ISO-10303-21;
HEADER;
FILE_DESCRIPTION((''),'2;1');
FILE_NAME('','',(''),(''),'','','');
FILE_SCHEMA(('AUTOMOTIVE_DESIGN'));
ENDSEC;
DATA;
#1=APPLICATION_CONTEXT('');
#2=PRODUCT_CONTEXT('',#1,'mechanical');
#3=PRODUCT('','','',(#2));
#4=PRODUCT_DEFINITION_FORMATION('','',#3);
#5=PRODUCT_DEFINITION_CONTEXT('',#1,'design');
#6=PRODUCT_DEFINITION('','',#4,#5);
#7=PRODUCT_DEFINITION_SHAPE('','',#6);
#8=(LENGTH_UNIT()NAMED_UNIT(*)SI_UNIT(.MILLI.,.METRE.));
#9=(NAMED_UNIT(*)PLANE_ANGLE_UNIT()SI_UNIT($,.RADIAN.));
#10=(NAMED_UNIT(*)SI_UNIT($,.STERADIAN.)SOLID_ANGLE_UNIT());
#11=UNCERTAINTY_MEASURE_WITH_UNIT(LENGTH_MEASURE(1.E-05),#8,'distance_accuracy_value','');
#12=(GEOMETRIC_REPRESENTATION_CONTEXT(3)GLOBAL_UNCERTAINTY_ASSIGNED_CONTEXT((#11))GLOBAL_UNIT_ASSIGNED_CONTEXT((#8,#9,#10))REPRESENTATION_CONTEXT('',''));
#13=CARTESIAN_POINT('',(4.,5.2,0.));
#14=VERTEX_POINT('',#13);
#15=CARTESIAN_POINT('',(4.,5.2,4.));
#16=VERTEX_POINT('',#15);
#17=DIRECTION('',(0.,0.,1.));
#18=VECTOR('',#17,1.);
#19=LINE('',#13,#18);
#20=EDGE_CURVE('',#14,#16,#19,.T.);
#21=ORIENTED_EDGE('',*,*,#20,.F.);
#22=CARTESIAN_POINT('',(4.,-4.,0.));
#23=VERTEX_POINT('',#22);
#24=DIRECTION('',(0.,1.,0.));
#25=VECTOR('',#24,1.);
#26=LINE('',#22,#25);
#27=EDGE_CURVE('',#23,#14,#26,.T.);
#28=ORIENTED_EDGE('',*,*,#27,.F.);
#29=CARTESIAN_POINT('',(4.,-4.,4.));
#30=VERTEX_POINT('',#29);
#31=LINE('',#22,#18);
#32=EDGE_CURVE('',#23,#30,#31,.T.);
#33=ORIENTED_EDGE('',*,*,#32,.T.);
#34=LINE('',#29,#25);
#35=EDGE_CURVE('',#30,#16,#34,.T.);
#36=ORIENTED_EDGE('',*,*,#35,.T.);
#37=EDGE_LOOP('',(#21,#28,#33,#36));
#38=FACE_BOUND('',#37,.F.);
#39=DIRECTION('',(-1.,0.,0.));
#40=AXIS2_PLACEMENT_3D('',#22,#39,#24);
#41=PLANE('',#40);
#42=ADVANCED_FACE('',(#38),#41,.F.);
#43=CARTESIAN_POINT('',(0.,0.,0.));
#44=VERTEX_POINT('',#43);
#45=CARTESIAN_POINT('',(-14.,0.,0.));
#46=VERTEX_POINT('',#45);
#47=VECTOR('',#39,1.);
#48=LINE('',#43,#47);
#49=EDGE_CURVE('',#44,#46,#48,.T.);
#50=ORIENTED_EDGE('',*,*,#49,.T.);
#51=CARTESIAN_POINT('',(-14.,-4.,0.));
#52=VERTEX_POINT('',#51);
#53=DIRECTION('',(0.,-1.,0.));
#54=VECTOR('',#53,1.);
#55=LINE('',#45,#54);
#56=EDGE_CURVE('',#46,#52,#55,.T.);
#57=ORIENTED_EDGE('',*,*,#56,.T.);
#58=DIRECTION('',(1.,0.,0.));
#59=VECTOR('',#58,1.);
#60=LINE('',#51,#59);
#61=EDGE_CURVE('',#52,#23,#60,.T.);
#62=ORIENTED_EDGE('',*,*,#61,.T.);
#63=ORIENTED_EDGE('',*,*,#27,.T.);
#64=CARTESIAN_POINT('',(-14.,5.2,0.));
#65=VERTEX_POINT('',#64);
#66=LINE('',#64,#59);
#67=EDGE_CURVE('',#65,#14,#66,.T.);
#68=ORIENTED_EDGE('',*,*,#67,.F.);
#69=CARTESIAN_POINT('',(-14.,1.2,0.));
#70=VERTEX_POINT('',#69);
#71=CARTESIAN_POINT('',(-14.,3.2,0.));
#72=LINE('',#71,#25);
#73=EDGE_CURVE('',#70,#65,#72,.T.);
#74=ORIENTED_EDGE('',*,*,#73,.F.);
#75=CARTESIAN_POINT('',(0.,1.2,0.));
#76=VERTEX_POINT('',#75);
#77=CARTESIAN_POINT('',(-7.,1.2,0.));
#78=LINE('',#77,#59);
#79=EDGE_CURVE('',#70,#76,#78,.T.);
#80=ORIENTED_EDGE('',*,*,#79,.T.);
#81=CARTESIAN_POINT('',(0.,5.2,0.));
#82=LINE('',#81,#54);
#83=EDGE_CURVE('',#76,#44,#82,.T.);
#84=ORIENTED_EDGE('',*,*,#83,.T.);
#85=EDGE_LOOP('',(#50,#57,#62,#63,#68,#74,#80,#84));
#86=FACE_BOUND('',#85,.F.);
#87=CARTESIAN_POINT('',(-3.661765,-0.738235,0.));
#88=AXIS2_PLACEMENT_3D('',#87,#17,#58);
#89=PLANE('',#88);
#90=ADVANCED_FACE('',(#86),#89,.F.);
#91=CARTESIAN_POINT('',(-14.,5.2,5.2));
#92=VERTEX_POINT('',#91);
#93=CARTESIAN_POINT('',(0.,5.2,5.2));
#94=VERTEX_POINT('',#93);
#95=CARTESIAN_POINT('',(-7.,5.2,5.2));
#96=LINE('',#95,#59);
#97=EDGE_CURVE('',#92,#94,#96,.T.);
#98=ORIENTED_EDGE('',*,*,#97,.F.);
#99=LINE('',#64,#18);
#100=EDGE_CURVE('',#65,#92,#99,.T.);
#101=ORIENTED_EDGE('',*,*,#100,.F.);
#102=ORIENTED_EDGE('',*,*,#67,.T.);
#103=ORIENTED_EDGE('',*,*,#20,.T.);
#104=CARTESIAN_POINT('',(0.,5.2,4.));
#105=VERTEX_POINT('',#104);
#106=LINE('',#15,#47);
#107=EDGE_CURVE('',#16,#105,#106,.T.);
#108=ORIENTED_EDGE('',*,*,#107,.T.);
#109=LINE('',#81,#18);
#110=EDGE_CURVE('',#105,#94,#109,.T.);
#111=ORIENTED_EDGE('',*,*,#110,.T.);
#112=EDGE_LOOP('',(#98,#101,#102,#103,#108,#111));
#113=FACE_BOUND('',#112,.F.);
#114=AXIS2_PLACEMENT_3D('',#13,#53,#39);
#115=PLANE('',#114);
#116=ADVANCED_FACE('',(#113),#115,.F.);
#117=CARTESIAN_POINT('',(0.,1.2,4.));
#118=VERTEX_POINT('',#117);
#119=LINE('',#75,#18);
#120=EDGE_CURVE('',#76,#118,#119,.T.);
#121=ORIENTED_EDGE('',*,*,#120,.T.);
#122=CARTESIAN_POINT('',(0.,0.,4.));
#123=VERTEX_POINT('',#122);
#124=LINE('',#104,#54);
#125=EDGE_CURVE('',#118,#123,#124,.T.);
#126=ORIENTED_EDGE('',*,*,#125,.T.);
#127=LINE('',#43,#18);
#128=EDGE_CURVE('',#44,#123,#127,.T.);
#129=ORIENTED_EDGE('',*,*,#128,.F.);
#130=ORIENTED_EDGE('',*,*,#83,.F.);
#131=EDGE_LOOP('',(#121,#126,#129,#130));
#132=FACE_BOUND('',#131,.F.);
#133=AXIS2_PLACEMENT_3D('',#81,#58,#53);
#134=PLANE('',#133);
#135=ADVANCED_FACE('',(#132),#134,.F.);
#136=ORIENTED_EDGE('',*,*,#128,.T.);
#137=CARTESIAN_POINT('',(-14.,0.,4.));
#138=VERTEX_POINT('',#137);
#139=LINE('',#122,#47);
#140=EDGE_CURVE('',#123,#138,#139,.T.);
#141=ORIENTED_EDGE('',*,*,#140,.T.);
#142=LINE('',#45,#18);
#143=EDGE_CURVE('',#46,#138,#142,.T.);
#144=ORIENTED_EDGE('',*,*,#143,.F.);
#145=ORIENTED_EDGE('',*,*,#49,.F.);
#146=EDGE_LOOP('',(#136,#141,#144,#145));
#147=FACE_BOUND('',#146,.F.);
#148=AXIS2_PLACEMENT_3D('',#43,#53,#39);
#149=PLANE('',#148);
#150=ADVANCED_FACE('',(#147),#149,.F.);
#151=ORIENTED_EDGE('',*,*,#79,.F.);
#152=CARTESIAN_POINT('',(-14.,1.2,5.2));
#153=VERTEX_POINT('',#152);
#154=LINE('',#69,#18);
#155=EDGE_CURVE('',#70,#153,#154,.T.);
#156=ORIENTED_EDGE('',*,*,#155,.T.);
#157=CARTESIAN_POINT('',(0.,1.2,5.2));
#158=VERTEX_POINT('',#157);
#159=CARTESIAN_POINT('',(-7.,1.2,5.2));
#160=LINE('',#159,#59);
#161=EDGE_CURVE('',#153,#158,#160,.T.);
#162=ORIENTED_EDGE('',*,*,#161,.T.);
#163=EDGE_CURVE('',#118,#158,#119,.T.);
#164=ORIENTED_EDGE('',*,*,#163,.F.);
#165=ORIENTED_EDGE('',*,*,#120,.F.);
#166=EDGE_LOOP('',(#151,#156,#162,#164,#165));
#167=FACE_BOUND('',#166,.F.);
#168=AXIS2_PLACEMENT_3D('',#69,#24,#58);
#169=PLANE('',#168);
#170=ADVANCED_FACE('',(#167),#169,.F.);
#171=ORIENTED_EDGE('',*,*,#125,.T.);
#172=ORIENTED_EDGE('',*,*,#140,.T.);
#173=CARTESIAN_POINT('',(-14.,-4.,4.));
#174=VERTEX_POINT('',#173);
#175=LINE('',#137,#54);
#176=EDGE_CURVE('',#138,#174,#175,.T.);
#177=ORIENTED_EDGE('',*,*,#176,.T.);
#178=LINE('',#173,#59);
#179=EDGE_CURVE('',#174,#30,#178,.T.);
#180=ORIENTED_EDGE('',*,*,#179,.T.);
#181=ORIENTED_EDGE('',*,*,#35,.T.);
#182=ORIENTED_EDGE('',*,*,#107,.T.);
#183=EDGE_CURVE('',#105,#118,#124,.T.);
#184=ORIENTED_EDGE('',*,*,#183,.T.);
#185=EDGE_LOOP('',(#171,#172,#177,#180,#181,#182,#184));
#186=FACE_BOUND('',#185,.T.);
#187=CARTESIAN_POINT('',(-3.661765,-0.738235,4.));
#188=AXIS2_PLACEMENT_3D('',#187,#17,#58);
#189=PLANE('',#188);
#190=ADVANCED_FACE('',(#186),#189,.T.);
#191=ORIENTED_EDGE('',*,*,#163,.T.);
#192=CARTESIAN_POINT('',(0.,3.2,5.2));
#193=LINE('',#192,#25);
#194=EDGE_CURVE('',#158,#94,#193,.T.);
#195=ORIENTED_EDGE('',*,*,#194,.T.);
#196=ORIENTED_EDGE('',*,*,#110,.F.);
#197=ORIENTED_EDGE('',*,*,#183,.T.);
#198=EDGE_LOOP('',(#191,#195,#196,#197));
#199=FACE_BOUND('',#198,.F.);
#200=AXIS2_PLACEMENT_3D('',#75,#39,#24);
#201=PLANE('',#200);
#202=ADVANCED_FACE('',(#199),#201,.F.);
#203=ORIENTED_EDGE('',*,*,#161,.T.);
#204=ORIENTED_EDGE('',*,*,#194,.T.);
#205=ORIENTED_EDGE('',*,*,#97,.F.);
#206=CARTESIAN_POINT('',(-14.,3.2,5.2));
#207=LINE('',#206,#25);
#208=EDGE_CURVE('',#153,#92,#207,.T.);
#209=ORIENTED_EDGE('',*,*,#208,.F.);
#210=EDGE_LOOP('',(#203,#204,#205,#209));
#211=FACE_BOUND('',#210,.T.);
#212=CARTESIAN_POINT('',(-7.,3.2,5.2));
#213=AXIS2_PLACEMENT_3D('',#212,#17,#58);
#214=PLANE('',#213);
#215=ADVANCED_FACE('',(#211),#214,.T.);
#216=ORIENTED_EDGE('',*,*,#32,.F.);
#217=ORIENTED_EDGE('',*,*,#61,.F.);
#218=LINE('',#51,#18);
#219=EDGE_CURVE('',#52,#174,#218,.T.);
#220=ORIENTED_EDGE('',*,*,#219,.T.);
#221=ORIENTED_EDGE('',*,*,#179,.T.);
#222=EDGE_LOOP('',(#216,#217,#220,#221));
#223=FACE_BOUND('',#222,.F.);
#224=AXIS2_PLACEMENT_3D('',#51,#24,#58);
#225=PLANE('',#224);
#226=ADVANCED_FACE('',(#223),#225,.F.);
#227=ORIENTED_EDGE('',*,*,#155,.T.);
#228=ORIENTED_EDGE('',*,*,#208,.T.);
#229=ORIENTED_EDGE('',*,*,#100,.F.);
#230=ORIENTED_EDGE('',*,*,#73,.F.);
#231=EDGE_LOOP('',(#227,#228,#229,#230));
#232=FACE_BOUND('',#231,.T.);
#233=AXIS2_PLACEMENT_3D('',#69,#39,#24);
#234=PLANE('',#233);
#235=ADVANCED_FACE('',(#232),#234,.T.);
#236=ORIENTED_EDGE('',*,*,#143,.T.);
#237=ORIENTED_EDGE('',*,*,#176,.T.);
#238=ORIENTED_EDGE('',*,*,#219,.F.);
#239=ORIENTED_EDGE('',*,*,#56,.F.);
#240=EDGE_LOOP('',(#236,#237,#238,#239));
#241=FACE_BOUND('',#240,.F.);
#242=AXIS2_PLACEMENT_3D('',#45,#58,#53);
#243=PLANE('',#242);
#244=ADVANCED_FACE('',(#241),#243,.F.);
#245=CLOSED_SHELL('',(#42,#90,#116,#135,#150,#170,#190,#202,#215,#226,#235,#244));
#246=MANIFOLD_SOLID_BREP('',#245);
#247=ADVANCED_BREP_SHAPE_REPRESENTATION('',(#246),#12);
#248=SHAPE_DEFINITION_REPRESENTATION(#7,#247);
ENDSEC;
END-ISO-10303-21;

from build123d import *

# Parameters (mm, degrees)
F0_W     = 14
F0_H     = 4
F1_DEPTH = 5.2
F2_DEPTH = 4


with BuildPart() as f1:
    # F0 (on Top) → F1 (new body)
    with BuildSketch(Plane.XY):
        with Locations((-7, 3.2)):
            Rectangle(F0_W, F0_H)
    extrude(amount=F1_DEPTH)

    # F0 (on Top) → F2 (join)
    with BuildSketch(Plane.XY):
        Polygon((0, 1.2), (0, 0), (-14, 0), (-14, -4), (4, -4), (4, 5.2), (0, 5.2), align=None)
    extrude(amount=F2_DEPTH)


solid = f1.part
